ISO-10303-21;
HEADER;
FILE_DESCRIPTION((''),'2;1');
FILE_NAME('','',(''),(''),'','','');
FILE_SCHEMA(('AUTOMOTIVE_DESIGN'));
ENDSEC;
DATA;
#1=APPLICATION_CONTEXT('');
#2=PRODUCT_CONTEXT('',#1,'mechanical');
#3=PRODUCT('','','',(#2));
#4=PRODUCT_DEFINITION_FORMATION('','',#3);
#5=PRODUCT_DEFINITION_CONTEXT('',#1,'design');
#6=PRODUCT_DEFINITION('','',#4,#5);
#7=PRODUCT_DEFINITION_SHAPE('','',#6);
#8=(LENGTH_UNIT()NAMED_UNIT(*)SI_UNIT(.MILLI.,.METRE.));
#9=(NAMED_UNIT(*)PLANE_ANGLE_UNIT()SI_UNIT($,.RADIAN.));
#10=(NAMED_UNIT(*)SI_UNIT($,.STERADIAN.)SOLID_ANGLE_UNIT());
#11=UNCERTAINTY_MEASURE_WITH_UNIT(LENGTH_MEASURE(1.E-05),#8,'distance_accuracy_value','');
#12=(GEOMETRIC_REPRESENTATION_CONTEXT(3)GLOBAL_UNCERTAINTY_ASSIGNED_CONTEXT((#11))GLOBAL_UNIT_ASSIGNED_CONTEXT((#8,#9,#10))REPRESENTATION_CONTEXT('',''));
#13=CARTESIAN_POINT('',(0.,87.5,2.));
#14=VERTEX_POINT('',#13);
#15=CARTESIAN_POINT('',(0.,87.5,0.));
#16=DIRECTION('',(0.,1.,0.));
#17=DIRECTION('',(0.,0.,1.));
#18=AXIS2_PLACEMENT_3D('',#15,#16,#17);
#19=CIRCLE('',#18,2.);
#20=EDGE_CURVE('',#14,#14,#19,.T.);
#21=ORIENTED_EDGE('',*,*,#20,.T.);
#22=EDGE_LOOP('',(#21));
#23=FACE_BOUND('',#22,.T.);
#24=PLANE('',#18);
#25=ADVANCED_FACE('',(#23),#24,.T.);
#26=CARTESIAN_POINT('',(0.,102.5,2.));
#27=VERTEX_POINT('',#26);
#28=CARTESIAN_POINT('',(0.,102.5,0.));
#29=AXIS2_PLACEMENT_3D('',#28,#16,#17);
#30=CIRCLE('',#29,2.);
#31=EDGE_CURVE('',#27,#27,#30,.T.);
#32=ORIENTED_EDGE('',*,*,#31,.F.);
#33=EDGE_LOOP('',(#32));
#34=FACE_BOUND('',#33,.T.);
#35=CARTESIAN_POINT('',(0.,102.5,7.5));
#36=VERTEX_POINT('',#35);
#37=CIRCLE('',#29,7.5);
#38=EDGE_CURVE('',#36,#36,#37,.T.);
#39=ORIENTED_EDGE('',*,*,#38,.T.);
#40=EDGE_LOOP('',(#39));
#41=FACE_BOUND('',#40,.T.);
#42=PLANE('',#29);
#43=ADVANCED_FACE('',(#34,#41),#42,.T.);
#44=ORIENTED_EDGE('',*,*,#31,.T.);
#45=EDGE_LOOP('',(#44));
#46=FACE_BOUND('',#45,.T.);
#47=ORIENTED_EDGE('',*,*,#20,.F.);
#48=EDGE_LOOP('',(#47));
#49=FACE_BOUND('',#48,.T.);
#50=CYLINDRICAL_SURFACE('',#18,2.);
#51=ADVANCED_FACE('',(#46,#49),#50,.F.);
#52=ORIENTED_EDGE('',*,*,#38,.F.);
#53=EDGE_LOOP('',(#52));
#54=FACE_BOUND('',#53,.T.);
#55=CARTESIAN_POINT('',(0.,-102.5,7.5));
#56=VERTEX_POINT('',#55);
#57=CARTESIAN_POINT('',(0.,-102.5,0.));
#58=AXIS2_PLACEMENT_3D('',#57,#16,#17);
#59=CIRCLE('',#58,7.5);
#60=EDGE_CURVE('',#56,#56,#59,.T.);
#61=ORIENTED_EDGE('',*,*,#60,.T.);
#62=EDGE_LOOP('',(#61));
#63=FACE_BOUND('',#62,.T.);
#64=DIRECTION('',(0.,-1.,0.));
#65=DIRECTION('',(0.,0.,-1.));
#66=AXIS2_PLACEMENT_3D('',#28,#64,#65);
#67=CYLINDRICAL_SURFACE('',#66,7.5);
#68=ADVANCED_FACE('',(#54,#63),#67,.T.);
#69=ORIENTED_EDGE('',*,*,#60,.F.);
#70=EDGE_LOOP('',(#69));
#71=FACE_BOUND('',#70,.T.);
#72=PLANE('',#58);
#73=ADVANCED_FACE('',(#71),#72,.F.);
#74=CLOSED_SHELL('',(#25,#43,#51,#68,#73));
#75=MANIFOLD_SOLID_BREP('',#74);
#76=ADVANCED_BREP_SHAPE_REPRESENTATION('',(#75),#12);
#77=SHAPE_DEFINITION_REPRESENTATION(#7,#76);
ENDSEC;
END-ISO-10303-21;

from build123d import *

# Parameters (mm, degrees)
SKETCH1_R           = 7.5
BOSS_EXTRUDE1_DEPTH = 102.5
SKETCH2_R           = 2
CUT_EXTRUDE1_DEPTH  = 15


with BuildPart() as part:
    # Sketch1 → Boss-Extrude1 (new body, symmetric)
    with BuildSketch(Plane(origin=(0, 0, 0), x_dir=(1, 0, 0), z_dir=(0, 1, 0))):
        Circle(SKETCH1_R)
    extrude(amount=BOSS_EXTRUDE1_DEPTH, both=True)

    # Sketch2 → Cut-Extrude1 (cut)
    with BuildSketch(Plane(origin=(0, 102.5, 0), x_dir=(1, 0, 0), z_dir=(0, 1, 0))):
        Circle(SKETCH2_R)
    extrude(amount=-CUT_EXTRUDE1_DEPTH, mode=Mode.SUBTRACT)


solid = part.part
